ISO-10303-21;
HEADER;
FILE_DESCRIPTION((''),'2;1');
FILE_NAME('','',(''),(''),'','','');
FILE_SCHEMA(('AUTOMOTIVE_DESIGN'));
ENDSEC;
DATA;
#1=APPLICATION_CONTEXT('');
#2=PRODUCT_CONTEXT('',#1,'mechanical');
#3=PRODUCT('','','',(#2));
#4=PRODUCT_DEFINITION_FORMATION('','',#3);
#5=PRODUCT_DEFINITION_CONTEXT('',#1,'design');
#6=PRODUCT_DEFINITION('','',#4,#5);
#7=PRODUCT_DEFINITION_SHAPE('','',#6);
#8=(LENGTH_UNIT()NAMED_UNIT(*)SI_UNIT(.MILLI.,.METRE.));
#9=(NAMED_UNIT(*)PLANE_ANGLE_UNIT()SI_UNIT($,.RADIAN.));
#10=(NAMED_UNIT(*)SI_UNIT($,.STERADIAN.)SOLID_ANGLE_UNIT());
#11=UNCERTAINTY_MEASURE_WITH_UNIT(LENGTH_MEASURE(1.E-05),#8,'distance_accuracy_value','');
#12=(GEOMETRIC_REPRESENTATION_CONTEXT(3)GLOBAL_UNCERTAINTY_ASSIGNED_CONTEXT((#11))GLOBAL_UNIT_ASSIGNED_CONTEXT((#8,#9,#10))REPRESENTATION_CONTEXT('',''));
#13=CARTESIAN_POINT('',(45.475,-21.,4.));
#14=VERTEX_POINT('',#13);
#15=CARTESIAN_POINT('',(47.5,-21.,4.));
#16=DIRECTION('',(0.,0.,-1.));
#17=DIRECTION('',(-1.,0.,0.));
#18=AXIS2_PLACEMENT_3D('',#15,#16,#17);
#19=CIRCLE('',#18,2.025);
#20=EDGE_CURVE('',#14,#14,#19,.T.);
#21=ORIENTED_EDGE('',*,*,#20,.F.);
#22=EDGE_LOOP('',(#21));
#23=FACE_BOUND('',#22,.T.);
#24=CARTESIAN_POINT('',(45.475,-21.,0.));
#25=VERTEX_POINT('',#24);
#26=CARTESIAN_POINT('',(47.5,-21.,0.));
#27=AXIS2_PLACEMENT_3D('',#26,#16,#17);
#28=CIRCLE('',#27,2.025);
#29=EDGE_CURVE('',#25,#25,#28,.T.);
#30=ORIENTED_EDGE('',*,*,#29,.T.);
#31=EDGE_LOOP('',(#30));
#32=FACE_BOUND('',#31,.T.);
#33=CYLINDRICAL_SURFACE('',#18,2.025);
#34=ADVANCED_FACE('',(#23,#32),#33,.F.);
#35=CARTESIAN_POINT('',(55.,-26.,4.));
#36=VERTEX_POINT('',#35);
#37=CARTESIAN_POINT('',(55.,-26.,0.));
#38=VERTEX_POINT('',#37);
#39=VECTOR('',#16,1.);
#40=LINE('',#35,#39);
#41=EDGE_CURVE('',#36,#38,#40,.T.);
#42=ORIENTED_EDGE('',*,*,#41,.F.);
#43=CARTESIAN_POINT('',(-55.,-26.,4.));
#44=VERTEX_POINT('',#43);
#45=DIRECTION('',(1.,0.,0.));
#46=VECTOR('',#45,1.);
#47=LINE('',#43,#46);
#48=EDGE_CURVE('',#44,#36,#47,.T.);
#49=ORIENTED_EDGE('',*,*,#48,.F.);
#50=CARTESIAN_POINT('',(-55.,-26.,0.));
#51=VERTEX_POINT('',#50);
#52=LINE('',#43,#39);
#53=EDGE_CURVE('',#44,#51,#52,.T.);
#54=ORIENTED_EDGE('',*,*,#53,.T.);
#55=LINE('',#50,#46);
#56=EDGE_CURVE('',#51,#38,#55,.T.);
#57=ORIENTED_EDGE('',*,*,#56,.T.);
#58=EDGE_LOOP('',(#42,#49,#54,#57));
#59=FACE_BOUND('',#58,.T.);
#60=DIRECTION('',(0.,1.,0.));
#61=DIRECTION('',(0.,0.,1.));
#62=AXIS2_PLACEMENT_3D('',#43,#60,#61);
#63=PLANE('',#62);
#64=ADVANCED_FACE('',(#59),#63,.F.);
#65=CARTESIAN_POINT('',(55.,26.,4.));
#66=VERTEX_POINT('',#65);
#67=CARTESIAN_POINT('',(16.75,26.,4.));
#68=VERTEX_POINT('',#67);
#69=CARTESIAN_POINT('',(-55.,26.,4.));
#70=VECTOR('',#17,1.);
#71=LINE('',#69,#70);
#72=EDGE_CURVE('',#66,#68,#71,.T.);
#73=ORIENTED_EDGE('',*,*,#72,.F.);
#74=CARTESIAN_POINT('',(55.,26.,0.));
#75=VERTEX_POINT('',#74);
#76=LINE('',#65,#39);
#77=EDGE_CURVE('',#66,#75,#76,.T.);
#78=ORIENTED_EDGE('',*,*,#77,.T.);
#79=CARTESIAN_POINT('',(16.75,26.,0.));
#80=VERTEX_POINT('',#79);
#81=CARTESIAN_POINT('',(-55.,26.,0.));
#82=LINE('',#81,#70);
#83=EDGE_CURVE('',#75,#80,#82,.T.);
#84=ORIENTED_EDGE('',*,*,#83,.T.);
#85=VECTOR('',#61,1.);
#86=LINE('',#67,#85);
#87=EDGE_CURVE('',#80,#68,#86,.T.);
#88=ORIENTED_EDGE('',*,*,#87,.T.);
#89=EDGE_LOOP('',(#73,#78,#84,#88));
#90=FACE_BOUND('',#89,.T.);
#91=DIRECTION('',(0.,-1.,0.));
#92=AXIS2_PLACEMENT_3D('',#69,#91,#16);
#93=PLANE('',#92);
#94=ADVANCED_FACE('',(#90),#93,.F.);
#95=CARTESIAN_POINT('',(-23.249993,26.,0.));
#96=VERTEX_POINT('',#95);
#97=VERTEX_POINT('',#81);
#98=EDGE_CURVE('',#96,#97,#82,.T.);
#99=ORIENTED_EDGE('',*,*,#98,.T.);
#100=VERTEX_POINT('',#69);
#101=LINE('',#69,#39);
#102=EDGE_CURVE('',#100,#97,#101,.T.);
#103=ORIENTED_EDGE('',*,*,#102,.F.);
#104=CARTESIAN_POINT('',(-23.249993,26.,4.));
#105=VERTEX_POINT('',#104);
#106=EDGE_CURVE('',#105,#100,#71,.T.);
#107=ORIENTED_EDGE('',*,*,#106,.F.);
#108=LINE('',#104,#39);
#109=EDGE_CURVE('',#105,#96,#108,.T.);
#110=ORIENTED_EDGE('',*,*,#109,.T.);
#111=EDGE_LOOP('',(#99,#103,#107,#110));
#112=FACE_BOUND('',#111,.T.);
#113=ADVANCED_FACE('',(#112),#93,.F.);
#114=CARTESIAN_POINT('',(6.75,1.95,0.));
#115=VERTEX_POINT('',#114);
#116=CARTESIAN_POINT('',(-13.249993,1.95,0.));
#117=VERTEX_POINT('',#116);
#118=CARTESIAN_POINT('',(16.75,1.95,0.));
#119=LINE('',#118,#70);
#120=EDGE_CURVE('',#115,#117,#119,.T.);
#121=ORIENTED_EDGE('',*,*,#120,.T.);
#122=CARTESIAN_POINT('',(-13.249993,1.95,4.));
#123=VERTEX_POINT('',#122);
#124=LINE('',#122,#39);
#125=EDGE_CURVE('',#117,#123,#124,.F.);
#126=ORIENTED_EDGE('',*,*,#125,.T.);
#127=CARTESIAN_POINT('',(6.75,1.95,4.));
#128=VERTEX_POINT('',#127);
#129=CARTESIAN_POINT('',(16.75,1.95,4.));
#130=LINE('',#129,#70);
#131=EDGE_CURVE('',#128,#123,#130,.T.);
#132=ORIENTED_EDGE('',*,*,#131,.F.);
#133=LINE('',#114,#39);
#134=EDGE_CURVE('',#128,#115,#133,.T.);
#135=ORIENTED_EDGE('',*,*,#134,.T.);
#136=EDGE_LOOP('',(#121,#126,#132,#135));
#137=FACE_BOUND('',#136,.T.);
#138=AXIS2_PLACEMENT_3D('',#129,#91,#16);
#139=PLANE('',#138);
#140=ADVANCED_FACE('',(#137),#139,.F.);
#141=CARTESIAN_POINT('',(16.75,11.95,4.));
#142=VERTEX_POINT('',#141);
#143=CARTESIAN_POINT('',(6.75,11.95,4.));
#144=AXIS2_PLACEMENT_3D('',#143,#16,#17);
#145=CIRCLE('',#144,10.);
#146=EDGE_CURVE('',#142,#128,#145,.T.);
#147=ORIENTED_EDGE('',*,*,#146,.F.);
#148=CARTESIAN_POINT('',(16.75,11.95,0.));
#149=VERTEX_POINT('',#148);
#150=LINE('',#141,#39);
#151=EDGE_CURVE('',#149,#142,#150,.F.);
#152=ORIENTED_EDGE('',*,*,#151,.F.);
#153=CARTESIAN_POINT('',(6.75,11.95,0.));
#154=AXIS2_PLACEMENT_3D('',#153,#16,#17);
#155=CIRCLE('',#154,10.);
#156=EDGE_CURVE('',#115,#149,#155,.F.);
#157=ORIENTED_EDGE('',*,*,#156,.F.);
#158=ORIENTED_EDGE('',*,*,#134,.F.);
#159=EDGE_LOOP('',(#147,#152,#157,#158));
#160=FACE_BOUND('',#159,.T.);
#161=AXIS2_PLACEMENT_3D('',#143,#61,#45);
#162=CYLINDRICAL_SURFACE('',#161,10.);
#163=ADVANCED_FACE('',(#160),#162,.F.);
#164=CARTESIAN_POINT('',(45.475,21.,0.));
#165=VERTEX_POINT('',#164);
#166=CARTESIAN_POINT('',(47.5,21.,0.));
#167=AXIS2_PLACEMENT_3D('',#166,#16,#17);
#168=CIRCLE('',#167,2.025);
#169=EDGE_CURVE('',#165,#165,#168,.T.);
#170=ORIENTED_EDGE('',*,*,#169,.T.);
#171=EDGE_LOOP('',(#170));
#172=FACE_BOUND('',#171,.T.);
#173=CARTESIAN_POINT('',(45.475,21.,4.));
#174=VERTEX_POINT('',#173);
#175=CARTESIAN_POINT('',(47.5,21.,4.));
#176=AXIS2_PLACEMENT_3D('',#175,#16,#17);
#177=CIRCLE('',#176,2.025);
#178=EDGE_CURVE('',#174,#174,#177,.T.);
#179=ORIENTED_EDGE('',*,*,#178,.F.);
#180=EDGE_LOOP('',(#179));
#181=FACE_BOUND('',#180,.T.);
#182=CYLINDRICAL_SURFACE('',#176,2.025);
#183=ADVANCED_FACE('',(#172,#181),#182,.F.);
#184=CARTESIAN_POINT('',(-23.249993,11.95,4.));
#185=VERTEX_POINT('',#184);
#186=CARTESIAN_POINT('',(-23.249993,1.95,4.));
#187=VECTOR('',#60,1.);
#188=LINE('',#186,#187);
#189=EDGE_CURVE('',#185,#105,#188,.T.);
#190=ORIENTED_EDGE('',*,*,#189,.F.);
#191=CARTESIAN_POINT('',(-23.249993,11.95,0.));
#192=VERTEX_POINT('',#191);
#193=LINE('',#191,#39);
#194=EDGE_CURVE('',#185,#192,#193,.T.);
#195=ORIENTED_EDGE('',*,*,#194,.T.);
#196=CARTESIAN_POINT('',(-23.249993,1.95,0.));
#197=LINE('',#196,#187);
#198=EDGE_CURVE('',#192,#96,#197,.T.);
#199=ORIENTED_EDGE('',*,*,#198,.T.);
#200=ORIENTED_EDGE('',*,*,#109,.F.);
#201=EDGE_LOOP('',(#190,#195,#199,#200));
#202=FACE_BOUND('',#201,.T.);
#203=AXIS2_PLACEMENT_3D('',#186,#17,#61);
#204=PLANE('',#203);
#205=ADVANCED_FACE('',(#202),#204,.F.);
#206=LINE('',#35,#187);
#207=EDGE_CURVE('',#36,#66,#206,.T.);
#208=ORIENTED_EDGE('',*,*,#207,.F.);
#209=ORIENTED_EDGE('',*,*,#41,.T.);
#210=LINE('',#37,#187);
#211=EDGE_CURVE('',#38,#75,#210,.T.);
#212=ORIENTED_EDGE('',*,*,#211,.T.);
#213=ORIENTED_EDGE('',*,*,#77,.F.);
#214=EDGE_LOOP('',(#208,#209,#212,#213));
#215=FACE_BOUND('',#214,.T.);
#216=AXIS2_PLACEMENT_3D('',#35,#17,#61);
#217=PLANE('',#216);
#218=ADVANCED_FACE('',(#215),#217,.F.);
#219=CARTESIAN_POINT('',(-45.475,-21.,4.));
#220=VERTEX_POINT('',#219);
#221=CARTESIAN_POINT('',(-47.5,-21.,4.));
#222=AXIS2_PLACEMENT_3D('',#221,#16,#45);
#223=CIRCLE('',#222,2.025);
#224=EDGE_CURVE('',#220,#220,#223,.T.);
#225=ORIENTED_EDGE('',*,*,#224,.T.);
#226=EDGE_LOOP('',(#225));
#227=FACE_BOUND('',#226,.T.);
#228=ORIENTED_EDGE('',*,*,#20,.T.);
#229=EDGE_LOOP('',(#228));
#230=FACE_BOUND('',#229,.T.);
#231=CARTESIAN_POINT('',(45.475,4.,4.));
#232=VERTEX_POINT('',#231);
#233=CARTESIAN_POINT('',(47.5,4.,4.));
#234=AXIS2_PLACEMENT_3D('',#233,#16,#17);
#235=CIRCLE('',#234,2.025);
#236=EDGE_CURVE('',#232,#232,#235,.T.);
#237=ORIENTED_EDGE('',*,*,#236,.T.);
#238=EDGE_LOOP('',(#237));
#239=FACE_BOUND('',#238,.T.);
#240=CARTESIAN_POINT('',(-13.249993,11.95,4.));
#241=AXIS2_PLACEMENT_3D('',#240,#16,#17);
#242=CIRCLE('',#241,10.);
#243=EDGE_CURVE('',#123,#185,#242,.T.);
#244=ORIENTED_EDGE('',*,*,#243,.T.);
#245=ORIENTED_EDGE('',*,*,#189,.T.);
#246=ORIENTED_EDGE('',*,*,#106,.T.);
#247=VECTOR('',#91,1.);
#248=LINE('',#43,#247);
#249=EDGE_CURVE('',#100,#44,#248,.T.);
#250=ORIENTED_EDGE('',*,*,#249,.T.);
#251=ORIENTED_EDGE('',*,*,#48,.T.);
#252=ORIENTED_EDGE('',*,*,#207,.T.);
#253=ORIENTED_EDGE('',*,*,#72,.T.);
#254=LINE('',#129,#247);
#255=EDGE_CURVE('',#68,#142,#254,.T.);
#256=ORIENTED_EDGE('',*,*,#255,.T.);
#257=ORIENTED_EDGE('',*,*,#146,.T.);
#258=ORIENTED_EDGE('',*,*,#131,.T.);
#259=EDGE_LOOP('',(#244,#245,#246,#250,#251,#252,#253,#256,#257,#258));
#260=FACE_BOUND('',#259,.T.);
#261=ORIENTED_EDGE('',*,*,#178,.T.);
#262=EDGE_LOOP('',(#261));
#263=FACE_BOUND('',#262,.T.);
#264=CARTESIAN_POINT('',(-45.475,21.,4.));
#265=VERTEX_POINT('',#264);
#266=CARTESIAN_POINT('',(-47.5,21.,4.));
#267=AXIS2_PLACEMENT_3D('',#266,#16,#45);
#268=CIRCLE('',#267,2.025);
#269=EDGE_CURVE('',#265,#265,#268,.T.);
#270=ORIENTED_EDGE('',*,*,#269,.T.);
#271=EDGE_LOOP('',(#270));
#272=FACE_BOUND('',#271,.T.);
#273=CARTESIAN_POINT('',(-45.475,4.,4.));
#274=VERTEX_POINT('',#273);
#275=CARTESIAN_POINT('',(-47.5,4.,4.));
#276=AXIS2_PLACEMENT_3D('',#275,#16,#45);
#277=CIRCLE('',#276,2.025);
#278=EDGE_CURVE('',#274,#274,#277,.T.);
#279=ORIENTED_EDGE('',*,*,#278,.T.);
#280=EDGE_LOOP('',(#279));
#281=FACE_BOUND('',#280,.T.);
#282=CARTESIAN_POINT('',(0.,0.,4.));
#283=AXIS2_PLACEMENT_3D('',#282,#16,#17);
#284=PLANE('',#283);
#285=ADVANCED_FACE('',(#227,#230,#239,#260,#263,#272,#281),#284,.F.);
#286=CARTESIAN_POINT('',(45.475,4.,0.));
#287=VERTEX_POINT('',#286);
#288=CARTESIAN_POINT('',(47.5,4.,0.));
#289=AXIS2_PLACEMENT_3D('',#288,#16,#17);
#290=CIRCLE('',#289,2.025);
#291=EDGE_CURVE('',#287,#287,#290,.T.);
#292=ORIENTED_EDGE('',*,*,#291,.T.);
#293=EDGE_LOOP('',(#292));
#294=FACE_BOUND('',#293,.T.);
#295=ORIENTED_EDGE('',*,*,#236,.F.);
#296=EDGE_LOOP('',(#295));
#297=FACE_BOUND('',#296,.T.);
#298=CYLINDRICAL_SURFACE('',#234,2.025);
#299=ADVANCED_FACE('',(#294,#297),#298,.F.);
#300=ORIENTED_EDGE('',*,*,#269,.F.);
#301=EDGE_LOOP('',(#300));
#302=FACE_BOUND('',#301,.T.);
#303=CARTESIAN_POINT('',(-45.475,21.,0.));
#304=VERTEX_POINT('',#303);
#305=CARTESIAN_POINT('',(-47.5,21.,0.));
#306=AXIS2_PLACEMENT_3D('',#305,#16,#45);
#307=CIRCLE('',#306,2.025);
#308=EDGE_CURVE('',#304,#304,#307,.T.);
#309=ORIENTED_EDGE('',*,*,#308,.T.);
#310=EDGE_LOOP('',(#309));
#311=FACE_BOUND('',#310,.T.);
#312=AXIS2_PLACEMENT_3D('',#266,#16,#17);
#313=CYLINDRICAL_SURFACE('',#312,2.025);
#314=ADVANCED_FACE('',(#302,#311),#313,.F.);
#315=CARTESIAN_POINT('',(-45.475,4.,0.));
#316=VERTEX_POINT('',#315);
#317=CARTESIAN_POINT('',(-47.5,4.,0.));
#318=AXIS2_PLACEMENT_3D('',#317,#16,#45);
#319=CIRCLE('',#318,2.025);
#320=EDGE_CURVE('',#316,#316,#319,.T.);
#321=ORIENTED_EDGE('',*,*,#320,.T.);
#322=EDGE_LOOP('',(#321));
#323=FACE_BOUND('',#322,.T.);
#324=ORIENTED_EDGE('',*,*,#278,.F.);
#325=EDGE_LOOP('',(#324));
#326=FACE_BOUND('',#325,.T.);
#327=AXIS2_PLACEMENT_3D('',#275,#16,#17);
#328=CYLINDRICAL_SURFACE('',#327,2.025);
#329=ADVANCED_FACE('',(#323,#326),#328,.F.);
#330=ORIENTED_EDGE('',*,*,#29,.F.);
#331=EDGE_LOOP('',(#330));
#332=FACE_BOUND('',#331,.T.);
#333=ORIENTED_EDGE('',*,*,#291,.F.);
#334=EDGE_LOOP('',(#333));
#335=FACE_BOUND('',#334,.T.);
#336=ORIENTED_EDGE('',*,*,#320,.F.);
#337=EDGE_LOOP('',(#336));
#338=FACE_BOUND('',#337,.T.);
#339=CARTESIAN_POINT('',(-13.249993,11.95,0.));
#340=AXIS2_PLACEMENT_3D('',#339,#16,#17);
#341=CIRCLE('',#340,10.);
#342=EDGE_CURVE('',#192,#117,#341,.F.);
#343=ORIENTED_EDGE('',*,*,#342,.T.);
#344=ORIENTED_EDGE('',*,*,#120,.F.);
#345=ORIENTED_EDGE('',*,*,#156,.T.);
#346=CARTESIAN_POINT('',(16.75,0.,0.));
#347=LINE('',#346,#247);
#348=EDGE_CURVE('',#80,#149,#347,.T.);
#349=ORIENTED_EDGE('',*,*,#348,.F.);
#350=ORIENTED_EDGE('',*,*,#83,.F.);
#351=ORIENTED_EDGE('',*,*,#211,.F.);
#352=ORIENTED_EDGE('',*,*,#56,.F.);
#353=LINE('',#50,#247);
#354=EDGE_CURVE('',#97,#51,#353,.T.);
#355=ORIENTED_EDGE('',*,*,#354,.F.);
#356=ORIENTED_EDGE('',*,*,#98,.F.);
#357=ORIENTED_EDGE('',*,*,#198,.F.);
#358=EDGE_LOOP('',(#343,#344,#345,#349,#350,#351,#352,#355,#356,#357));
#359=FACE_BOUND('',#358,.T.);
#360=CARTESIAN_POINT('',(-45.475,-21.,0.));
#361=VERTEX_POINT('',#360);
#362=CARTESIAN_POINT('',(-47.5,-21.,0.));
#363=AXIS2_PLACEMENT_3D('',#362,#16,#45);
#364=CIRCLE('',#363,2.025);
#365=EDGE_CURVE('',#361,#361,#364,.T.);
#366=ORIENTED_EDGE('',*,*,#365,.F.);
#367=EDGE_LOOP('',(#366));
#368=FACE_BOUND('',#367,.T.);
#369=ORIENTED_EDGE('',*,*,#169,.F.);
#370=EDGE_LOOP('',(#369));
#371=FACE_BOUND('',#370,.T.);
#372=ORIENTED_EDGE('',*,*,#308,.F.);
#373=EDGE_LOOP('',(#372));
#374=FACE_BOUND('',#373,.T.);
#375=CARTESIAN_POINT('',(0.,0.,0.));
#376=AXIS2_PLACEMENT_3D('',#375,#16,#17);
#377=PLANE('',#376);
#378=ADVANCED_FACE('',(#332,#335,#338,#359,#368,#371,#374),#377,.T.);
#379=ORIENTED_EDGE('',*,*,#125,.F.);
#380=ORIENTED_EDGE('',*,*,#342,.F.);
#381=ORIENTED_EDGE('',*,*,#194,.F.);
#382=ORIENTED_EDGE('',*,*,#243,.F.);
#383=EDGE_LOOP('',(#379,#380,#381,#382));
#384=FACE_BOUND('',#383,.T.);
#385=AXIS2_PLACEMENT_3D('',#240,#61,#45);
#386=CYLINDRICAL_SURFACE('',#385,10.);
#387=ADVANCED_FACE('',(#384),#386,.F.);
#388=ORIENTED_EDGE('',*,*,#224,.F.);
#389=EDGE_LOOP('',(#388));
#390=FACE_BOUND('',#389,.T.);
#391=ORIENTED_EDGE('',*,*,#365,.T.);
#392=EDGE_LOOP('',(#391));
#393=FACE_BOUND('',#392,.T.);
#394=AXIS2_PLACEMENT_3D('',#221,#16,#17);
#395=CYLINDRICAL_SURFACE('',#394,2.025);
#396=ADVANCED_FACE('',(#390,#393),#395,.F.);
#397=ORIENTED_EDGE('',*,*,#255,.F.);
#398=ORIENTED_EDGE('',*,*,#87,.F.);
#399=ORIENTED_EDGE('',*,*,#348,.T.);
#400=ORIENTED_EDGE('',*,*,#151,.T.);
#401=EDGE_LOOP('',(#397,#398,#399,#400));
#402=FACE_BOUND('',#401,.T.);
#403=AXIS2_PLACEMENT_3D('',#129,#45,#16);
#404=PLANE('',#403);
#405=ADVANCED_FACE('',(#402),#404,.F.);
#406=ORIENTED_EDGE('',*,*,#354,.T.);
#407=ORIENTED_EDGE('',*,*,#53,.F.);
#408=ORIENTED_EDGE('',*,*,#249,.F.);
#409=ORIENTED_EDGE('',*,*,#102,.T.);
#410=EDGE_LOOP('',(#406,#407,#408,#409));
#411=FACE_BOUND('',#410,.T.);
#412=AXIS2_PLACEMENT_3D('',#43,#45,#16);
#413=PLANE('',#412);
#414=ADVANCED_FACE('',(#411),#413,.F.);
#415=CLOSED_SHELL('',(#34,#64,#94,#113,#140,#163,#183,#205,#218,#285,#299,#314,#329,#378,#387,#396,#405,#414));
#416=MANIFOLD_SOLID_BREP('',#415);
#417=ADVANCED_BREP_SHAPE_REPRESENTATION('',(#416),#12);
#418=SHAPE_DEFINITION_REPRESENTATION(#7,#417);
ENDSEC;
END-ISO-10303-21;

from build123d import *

# Parameters (mm, degrees)
SKETCH_1_W          = 110
SKETCH_1_H          = 52
EXTRUDE_1_DEPTH     = 4
SKETCH_2_R          = 2.025
CUT_EXTRUDE_1_DEPTH = 4
SKETCH_3_W          = 39.999993186
SKETCH_3_H          = 39
CUT_EXTRUDE_2_DEPTH = 4
FILLET_1_R          = 10


with BuildPart() as part:
    # 草图1 → 凸台-拉伸1 (new body)
    with BuildSketch(Plane.XY):
        Rectangle(SKETCH_1_W, SKETCH_1_H)
    extrude(amount=EXTRUDE_1_DEPTH)

    # 草图2 → 切除-拉伸1 (cut)
    with BuildSketch(Plane(origin=(0, 0, 0), x_dir=(-1, 0, 0), z_dir=(0, 0, -1))):
        with Locations((-47.5, 21)):
            Circle(SKETCH_2_R)
        with Locations((-47.5, 4)):
            Circle(SKETCH_2_R)
        with Locations((-47.5, -21)):
            Circle(SKETCH_2_R)
        with Locations(Location((47.5, -21, 0), (0, 0, 180))):
            Circle(SKETCH_2_R)
        with Locations(Location((47.5, 4, 0), (0, 0, 180))):
            Circle(SKETCH_2_R)
        with Locations(Location((47.5, 21, 0), (0, 0, 180))):
            Circle(SKETCH_2_R)
    extrude(amount=-CUT_EXTRUDE_1_DEPTH, mode=Mode.SUBTRACT)

    # 草图3 → 切除-拉伸2 (cut)
    with BuildSketch(Plane(origin=(0, 0, 0), x_dir=(-1, 0, 0), z_dir=(0, 0, -1))):
        with Locations((3.249996593, 21.45)):
            Rectangle(SKETCH_3_W, SKETCH_3_H)
    extrude(amount=-CUT_EXTRUDE_2_DEPTH, mode=Mode.SUBTRACT)

    # 圆角1
    fillet_1_edges = [part.edges().sort_by_distance(p)[0] for p in [
        (16.75, 1.95, 2),
        (-23.249993186, 1.95, 2),
    ]]
    fillet(fillet_1_edges, radius=FILLET_1_R)


solid = part.part
